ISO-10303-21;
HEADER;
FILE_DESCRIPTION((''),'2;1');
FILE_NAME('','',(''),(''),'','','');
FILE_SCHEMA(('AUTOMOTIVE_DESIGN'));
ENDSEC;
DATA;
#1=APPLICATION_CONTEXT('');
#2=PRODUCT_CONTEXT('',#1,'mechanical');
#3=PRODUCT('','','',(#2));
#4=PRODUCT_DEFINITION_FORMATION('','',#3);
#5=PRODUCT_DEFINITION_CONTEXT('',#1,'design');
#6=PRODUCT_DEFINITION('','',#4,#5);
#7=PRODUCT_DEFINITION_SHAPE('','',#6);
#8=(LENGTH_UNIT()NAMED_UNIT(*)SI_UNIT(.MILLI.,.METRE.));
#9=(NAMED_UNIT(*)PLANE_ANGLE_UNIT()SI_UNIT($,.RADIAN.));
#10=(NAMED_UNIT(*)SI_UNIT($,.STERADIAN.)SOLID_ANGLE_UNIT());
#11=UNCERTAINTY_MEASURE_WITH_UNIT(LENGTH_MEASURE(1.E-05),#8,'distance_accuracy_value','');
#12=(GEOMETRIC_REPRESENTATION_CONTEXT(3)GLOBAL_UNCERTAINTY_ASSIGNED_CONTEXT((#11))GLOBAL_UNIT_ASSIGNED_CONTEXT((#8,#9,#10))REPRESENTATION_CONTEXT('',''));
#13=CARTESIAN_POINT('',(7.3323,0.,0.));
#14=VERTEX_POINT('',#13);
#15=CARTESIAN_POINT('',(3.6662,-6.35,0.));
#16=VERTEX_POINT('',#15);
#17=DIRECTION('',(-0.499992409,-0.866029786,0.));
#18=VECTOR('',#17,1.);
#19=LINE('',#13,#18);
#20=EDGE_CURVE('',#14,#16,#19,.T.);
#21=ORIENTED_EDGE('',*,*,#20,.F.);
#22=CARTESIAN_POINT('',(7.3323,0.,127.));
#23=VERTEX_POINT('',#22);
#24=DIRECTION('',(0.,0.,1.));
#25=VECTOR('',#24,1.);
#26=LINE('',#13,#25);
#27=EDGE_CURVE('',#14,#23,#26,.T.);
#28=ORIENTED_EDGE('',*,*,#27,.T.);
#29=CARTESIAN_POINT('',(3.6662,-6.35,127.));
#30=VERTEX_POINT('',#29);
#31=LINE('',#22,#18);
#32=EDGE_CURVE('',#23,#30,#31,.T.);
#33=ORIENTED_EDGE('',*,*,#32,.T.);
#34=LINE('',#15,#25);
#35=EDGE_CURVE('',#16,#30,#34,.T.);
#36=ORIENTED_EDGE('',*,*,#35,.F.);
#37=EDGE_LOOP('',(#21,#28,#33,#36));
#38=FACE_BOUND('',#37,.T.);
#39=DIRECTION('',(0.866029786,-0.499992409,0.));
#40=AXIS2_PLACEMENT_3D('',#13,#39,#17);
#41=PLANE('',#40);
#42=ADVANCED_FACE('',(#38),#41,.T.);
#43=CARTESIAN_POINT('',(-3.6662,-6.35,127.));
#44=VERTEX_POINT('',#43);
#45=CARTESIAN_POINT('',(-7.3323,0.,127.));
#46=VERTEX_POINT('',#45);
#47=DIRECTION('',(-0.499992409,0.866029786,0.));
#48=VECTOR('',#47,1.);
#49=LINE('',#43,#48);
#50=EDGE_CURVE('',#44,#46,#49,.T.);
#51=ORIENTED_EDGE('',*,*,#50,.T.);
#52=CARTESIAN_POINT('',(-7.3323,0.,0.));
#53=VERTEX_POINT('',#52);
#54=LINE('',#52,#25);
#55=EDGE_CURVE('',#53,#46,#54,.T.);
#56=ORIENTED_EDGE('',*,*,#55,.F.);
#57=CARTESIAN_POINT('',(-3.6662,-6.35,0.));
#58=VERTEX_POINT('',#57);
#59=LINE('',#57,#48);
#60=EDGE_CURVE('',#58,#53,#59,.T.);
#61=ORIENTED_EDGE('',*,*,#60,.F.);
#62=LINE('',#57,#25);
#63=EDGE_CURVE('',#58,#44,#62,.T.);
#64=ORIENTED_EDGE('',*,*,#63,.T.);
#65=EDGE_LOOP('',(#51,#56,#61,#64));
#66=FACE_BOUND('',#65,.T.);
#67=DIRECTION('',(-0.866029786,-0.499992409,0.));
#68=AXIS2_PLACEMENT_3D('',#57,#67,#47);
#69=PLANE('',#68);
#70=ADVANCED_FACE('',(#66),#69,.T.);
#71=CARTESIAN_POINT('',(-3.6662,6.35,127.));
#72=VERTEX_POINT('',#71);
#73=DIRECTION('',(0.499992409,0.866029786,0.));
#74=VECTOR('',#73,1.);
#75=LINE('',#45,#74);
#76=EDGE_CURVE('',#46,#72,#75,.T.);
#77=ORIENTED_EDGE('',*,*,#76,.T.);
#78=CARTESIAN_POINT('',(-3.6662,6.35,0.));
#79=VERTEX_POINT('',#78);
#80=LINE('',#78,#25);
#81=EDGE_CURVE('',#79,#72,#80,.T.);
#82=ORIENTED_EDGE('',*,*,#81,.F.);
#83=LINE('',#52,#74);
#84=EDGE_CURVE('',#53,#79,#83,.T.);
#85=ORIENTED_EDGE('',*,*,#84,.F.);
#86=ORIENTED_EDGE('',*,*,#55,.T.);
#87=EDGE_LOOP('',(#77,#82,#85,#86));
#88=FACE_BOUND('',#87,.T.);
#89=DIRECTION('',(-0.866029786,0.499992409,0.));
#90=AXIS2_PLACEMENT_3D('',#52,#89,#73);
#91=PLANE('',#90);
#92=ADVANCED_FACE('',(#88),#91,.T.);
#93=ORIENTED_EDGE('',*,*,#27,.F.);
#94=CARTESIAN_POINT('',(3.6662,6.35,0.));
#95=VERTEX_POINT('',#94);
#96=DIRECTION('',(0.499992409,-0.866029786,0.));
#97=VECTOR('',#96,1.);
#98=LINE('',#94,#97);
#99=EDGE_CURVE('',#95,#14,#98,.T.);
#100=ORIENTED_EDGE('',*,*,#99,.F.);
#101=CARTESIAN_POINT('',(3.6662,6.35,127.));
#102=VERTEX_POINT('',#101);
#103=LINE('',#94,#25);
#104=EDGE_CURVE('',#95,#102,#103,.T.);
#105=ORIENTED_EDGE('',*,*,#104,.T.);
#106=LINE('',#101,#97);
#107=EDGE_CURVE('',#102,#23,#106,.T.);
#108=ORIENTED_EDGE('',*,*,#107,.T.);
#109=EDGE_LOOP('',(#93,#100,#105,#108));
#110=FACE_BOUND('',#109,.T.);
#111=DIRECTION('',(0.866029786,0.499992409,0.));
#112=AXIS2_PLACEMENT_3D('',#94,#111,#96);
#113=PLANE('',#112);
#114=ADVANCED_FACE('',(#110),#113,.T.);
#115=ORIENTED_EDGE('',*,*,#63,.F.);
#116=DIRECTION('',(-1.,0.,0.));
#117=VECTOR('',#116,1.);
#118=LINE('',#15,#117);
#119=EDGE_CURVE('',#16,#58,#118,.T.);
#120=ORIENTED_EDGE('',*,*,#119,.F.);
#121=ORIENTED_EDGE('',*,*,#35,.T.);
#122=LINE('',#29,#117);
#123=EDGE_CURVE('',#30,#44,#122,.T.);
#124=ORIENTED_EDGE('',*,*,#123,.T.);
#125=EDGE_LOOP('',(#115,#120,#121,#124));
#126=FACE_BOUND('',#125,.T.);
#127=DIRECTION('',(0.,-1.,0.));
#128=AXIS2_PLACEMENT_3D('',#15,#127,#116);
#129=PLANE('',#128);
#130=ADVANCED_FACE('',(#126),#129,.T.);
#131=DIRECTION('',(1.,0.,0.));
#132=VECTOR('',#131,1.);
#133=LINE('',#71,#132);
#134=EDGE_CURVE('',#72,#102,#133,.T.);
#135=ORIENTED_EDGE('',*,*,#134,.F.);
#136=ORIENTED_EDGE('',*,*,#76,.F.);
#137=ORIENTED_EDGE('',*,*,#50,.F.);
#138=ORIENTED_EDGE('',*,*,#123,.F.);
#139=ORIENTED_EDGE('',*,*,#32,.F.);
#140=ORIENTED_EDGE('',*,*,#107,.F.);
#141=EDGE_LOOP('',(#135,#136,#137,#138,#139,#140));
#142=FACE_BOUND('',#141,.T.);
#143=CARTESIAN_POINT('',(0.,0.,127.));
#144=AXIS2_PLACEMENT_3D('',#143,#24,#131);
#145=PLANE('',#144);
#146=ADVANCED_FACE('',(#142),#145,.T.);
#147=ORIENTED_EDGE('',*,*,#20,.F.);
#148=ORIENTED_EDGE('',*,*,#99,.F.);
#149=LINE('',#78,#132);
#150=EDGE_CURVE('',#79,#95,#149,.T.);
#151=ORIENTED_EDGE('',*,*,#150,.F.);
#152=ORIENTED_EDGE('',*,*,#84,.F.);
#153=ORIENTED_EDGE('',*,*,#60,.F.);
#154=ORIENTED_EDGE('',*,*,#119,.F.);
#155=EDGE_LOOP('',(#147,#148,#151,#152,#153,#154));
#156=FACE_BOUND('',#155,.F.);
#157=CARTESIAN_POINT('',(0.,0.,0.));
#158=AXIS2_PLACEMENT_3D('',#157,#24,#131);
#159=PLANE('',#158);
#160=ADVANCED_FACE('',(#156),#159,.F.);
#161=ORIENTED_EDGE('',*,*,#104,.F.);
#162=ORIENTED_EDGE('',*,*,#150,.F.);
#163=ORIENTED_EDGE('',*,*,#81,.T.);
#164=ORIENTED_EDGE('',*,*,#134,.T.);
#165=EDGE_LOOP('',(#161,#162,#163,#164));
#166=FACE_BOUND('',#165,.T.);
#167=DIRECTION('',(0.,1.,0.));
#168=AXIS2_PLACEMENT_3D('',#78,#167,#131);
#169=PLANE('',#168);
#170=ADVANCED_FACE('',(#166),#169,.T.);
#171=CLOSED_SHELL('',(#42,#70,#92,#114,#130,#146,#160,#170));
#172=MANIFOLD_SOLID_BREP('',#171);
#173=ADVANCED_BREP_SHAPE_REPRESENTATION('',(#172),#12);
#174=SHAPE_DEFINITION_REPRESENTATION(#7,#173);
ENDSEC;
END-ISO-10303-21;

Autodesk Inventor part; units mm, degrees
ref_plane "YZ Plane" through (0, 0, 0) normal (1, 0, 0) x (0, 1, 0)
ref_plane "XZ Plane" through (0, 0, 0) normal (0, 1, 0) x (-1, 0, 0)
ref_plane "XY Plane" through (0, 0, 0) normal (0, 0, 1) x (1, 0, 0)
sketch "Sketch1" plane through (0, 0, 0) normal (0, 0, 1) x (1, 0, 0)
  line L0 (3.6662, 6.35) -> (7.3323, 0)
  line L1 (7.3323, 0) -> (3.6662, -6.35)
  line L2 (3.6662, -6.35) -> (-3.6662, -6.35)
  line L3 (-3.6662, -6.35) -> (-7.3323, 0)
  line L4 (-7.3323, 0) -> (-3.6662, 6.35)
  line L5 (-3.6662, 6.35) -> (3.6662, 6.35)
  point P0 (0, 0)
  point P1 (0, 0)
  dimension "d0" = 12.7
extrude "Extrusion1" add sketch "Sketch1" along normal blind 127
properties part number "hex rod 5 inch" material "Steel, Alloy"
